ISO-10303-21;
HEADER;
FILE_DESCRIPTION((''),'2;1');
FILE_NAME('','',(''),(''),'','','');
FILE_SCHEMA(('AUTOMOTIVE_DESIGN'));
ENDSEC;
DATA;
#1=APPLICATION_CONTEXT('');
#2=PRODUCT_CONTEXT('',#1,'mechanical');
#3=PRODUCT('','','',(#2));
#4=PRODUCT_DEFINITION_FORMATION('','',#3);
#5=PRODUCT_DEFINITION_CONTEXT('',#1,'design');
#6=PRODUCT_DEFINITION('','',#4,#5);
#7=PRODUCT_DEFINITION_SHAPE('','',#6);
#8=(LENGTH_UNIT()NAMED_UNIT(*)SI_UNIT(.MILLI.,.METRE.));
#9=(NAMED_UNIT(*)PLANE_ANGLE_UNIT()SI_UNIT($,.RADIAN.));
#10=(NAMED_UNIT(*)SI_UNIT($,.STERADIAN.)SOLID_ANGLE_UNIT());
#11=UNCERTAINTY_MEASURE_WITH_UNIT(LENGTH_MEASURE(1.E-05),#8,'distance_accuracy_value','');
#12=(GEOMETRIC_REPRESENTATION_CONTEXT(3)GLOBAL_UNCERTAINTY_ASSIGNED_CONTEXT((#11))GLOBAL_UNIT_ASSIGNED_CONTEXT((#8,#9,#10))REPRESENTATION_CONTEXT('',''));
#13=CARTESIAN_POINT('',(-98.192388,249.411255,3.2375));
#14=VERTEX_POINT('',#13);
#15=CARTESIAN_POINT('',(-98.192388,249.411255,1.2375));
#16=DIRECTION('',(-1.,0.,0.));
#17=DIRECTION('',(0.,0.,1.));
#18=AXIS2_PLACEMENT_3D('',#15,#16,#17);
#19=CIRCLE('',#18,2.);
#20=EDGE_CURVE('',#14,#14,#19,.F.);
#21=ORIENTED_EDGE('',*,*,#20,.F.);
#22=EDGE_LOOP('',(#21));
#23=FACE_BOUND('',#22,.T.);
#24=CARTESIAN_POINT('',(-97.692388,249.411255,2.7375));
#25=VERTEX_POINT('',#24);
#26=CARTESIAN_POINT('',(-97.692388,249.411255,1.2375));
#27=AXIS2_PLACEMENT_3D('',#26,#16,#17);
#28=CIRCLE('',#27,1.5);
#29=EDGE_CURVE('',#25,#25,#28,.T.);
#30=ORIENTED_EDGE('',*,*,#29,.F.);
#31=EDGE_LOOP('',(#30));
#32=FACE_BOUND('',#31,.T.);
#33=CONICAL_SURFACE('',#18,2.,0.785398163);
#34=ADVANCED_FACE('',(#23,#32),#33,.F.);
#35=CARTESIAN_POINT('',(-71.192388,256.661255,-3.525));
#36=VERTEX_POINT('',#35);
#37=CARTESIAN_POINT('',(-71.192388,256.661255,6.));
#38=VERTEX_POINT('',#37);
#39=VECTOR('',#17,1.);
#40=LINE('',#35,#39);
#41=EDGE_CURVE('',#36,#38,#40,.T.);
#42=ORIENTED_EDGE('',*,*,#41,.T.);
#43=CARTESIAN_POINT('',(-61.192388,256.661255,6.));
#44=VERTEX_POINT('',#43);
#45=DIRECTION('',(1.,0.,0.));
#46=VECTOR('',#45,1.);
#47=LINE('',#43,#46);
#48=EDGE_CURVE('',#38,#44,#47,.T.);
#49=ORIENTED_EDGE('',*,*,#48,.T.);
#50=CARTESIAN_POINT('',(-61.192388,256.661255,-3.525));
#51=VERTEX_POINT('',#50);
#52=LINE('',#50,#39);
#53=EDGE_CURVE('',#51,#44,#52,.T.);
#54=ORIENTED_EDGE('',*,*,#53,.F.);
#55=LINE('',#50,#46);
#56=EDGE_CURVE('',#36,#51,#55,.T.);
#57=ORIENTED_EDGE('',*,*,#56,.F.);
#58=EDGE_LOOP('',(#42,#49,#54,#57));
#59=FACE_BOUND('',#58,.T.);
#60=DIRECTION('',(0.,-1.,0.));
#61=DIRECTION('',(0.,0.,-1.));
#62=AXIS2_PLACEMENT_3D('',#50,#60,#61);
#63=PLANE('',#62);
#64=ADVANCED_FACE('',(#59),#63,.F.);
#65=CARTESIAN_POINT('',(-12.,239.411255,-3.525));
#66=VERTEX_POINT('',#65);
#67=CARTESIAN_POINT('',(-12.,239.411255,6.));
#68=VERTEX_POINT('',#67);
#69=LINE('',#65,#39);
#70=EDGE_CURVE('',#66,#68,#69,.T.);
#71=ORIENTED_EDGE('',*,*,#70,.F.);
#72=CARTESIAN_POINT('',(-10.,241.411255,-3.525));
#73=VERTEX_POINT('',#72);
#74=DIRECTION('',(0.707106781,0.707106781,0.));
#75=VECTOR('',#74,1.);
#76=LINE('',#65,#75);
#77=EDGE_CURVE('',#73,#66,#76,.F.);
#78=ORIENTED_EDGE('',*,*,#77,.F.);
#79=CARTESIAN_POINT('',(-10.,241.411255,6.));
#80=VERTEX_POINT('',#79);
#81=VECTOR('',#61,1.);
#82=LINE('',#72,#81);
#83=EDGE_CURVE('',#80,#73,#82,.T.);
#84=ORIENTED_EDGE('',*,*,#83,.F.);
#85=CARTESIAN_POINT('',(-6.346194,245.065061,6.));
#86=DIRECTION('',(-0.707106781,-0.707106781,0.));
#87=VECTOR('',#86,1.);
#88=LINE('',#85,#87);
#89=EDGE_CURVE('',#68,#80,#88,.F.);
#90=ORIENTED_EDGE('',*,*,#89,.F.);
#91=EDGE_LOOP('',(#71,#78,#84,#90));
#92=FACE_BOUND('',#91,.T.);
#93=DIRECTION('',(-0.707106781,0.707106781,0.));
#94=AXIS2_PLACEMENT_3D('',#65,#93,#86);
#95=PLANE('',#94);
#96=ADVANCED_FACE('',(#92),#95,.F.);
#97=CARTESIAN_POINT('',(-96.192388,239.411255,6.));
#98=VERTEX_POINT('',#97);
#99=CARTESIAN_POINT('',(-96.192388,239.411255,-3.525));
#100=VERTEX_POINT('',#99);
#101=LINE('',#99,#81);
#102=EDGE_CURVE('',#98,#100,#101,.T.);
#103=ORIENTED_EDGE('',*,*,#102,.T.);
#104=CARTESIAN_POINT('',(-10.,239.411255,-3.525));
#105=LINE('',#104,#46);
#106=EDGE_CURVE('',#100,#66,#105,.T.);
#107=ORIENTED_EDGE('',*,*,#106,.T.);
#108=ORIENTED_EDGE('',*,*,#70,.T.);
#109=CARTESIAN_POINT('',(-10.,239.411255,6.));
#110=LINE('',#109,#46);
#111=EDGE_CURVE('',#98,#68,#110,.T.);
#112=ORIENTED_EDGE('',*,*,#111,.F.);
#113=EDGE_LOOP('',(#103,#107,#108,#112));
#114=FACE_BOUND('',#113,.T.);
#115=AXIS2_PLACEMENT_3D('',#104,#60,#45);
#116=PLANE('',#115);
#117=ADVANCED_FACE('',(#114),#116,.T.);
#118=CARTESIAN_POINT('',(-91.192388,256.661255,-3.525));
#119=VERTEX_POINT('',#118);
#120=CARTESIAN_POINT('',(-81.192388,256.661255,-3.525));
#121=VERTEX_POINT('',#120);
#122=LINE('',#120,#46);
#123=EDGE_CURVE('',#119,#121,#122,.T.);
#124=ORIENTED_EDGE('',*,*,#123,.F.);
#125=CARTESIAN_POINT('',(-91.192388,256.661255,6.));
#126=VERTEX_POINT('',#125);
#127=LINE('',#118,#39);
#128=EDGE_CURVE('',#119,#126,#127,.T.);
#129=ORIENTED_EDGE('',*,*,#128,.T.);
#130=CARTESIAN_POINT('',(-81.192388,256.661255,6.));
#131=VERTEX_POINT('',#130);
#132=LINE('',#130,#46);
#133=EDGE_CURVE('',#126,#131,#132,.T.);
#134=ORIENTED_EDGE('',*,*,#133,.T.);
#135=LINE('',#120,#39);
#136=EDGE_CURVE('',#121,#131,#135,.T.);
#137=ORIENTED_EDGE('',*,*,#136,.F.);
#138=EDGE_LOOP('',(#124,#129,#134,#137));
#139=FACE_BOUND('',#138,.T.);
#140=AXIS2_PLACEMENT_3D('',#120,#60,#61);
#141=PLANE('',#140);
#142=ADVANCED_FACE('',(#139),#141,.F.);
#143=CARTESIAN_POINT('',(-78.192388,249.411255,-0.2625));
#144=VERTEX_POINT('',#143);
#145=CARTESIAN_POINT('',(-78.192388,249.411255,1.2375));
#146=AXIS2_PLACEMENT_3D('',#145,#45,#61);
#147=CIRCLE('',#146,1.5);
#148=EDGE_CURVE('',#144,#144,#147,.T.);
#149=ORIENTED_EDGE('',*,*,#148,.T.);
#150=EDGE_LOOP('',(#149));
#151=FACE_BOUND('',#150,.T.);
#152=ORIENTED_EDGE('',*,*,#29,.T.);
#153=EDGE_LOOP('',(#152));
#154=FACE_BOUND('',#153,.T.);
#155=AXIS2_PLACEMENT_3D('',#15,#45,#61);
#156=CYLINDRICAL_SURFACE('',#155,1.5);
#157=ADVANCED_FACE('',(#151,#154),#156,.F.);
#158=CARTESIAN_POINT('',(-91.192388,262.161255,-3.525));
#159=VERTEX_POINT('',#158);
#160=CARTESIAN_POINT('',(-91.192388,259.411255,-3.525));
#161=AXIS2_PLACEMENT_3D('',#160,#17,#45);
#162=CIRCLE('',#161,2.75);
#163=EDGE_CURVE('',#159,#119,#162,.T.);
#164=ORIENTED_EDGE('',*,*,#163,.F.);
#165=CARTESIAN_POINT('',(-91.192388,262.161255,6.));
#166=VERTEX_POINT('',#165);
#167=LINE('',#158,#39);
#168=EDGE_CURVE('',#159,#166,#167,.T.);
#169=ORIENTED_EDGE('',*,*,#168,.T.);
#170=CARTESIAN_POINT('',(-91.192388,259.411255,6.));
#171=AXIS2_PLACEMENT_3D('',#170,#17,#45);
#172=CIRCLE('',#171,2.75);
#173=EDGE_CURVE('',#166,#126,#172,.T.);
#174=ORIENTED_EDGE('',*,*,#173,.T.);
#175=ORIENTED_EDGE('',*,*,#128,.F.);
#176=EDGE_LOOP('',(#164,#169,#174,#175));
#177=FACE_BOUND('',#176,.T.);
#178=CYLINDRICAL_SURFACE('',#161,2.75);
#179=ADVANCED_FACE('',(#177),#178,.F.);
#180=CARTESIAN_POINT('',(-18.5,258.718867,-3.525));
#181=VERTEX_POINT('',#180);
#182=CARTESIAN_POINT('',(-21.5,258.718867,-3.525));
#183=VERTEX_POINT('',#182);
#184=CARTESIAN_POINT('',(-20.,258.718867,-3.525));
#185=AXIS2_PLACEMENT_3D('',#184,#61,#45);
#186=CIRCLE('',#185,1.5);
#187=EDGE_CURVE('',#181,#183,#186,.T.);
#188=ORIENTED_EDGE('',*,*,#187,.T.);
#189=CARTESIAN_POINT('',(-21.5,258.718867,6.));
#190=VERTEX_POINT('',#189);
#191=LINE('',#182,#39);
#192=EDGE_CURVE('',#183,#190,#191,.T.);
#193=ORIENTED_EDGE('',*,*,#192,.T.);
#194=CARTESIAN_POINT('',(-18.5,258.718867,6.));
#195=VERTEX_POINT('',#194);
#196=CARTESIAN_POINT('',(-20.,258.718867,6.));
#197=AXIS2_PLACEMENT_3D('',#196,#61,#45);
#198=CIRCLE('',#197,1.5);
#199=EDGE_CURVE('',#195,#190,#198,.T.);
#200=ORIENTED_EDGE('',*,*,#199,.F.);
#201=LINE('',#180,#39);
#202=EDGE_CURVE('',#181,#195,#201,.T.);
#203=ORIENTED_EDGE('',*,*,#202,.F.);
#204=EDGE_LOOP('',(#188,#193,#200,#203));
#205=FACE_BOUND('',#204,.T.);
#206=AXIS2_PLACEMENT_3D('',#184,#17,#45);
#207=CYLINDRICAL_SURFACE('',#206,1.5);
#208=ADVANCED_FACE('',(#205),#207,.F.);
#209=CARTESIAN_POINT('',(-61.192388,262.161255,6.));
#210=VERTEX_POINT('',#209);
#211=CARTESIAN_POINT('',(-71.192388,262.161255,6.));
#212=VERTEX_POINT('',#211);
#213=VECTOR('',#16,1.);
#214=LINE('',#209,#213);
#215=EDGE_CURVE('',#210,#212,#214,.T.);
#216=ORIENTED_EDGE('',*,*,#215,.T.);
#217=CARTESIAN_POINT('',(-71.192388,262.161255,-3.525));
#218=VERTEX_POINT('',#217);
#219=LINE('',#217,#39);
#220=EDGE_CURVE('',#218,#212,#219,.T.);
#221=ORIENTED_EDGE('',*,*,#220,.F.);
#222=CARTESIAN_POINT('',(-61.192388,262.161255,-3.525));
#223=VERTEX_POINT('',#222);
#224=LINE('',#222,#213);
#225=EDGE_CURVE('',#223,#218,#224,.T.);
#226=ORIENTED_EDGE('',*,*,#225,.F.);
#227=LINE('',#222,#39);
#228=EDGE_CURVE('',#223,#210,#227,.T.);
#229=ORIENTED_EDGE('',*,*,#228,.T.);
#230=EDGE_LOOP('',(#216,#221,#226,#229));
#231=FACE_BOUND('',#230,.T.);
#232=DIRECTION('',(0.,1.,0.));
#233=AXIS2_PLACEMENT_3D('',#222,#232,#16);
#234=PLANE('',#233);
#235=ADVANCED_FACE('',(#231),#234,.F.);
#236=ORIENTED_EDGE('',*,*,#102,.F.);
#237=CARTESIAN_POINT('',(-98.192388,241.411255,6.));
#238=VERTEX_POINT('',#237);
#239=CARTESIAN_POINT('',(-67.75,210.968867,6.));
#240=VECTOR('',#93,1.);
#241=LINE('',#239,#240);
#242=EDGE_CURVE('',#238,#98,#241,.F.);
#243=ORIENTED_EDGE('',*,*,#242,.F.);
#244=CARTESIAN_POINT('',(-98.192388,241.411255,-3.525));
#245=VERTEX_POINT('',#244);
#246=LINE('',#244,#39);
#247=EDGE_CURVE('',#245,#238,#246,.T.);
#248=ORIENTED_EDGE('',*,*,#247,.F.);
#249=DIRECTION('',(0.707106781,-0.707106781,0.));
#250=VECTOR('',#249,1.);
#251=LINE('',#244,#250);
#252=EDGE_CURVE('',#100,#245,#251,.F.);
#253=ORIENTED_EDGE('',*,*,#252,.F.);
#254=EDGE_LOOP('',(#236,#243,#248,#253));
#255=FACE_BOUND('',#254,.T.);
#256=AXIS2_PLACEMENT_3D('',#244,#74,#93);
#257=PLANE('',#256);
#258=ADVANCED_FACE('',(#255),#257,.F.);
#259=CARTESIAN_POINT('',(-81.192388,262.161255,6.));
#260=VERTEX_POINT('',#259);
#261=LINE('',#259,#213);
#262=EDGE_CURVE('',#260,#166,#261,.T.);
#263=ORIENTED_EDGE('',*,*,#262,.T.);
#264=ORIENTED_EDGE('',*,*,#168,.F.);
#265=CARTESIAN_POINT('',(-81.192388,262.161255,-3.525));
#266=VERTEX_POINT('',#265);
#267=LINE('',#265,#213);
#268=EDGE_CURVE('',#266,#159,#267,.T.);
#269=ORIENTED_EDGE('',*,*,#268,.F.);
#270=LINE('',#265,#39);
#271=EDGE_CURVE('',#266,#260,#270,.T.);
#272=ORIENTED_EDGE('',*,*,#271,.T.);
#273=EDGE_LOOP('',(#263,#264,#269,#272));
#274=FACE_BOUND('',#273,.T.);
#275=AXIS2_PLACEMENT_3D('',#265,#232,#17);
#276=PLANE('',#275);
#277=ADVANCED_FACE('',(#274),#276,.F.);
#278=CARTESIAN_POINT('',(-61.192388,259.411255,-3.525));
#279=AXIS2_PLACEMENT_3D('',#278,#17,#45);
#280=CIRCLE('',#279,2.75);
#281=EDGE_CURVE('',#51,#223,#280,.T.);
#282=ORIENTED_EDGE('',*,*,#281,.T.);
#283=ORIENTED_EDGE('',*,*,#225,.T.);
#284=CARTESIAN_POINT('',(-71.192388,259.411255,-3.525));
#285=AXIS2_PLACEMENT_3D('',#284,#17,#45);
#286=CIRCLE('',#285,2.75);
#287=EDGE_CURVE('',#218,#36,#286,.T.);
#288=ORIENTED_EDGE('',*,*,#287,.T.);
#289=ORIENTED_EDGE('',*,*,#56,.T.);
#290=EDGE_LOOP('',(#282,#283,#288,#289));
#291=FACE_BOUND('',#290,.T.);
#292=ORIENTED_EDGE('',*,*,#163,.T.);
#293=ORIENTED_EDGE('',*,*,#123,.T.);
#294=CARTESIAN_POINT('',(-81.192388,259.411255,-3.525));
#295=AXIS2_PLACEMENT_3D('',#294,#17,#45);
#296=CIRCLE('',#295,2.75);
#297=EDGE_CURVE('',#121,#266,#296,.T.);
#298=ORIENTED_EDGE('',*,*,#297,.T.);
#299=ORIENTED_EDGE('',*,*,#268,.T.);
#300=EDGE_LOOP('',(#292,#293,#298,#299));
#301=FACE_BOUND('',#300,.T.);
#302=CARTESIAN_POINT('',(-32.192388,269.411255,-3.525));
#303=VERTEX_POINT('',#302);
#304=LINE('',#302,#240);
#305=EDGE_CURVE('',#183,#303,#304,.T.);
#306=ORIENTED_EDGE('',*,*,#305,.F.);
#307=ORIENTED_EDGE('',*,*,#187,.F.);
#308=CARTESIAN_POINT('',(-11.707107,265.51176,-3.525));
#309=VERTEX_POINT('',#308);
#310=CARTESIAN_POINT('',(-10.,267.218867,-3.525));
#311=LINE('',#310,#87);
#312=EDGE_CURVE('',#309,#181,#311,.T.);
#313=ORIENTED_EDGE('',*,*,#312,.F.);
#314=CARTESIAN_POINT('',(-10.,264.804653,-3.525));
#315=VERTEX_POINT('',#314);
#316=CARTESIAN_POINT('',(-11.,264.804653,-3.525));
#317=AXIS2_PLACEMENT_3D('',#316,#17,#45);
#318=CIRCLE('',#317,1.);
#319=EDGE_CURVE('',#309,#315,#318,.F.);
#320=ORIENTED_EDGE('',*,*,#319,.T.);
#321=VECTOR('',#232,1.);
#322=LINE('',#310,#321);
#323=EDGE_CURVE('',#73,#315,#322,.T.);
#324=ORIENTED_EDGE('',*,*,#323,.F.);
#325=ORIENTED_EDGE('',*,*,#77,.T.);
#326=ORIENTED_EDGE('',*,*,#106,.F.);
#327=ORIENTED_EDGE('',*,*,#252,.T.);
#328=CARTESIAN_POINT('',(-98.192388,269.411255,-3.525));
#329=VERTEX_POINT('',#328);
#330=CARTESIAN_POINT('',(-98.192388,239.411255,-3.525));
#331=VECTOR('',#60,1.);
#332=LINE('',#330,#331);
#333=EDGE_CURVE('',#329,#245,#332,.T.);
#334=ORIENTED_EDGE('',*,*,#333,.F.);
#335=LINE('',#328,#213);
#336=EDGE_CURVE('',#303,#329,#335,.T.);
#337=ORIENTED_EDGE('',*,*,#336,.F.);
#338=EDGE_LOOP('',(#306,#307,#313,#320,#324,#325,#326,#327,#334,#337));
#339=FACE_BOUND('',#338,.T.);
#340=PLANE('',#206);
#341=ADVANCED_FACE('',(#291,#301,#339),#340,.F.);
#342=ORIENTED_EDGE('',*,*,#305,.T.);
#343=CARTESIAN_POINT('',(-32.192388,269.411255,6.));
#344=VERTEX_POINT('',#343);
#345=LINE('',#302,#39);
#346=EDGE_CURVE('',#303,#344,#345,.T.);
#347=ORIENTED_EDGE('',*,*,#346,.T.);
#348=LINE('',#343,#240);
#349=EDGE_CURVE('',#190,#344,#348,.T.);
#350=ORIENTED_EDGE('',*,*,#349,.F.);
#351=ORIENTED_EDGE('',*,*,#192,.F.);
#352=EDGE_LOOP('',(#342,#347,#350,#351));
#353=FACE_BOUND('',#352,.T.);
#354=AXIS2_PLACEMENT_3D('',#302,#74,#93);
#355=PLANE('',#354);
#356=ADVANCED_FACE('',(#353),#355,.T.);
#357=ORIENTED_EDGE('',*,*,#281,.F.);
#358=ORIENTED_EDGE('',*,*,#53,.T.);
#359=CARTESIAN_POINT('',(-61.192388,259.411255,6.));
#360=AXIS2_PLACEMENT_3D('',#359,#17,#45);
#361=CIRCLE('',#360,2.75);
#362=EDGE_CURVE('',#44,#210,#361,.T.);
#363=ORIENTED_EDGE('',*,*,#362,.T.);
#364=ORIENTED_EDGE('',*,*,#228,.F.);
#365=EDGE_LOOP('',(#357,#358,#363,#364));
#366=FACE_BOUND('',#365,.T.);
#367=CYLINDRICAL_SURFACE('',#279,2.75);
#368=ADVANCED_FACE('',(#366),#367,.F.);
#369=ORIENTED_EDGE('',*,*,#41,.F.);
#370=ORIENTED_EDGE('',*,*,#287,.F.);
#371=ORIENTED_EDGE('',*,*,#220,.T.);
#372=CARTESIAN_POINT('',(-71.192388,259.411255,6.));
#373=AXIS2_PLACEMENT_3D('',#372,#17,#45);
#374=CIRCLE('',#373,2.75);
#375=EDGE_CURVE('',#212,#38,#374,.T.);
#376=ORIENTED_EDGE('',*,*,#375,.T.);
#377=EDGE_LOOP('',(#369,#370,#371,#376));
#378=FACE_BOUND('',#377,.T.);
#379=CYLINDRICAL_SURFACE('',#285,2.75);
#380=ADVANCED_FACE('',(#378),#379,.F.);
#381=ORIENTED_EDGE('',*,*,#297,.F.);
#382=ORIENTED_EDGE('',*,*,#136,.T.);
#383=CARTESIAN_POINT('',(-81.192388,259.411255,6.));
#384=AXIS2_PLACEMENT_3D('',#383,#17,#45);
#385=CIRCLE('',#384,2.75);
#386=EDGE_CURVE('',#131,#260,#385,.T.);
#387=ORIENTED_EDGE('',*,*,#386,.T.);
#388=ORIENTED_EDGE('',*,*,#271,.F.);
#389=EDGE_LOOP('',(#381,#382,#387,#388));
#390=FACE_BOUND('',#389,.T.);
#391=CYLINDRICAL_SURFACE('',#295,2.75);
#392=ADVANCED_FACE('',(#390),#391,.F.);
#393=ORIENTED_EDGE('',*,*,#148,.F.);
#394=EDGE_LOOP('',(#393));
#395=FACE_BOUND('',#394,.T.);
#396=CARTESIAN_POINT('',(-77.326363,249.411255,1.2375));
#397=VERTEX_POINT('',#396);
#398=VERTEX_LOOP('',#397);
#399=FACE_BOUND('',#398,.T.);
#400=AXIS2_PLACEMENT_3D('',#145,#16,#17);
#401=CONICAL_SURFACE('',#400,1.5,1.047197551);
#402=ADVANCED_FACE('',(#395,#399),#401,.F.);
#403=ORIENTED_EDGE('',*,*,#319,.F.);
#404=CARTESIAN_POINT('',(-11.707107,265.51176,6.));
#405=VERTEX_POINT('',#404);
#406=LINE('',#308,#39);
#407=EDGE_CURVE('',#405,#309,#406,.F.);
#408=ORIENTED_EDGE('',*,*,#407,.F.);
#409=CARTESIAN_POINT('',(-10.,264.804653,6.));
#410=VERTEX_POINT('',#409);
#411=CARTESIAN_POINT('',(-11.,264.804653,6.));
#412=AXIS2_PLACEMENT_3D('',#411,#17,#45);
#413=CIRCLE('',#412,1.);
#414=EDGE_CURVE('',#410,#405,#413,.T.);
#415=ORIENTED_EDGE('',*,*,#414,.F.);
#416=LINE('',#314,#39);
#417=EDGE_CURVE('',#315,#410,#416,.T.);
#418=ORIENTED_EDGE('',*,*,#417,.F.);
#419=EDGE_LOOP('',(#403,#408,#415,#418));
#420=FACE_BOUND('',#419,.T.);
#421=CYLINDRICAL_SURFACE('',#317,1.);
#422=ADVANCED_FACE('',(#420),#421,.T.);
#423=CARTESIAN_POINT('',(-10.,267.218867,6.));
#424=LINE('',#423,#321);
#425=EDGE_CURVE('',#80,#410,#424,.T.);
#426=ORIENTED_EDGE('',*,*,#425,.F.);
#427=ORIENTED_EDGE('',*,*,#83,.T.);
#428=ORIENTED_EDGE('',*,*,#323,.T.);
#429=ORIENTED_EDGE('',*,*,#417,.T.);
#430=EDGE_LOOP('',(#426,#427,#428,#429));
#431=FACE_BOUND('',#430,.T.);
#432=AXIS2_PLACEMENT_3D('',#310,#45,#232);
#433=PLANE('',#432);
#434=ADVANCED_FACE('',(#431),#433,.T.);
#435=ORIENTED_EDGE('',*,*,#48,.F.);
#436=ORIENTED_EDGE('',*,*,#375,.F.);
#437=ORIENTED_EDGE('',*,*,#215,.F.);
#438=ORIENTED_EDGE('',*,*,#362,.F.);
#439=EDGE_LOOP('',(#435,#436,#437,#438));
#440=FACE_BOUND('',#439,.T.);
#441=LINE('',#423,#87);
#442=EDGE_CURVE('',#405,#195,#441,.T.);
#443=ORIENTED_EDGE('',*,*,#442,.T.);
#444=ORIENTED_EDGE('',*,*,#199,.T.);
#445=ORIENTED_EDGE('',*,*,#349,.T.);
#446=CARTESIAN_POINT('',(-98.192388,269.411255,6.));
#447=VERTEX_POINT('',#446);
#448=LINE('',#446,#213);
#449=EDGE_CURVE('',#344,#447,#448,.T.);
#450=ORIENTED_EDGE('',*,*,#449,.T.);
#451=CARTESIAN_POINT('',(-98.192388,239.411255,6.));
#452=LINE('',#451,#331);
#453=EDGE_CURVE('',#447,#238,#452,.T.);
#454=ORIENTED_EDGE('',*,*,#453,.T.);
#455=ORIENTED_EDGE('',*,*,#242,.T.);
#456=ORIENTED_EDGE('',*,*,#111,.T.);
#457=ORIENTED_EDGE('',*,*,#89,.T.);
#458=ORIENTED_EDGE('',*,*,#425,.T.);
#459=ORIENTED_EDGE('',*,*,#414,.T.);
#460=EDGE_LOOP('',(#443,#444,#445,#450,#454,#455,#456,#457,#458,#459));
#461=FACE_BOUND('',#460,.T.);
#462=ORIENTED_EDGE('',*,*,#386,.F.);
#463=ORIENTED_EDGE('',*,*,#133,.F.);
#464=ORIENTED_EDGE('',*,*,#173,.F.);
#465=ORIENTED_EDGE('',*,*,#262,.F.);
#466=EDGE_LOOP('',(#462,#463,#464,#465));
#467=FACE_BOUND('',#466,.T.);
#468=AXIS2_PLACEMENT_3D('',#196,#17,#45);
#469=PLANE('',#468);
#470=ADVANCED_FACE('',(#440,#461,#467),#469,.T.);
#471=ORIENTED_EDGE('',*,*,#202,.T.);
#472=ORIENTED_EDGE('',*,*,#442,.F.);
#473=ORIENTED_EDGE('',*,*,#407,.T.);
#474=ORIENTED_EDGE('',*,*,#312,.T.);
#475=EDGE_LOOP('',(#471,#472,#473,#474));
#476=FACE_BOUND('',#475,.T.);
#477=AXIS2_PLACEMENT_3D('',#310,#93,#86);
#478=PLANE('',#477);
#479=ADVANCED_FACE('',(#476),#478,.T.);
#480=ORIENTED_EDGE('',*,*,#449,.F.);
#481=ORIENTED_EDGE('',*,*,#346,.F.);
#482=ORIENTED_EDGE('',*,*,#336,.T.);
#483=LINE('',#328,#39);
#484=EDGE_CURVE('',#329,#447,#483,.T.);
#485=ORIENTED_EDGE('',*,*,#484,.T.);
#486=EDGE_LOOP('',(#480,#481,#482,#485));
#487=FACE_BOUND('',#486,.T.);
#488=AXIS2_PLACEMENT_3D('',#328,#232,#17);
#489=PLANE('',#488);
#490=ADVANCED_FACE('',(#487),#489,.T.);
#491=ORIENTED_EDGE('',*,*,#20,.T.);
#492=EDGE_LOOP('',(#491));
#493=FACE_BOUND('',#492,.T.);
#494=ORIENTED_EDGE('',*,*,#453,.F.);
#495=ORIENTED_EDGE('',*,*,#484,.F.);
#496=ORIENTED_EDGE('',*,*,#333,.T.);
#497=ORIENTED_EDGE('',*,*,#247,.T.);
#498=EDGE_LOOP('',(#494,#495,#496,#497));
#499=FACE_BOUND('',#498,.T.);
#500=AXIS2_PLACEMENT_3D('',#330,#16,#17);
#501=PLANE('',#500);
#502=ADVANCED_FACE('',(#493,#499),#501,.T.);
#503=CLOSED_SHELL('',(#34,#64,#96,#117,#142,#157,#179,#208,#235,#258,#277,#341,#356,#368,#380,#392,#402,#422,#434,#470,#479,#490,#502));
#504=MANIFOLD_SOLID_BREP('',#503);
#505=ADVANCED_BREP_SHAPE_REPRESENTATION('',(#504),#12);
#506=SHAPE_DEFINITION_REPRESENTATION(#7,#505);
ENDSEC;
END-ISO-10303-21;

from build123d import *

# Parameters (mm, degrees)
BOSS_EXTRUDE1_DEPTH      = 6
BOSS_EXTRUDE1_DEPTH_BACK = 3.525
FILLET1_R                = 1
CHAMFER1_SIZE            = 2
CHAMFER2_SIZE            = 0.5


with BuildPart() as part:
    # Sketch1 → Boss-Extrude1 (new body, two sides)
    with BuildSketch(Plane.XY) as boss_extrude1_sk:
        with BuildLine():
            Line((-10, 267.218866814), (-18.5, 258.718866814))
            ThreePointArc((-18.5, 258.718866814), (-20, 257.218866814), (-21.5, 258.718866814))
            Line((-21.5, 258.718866814), (-32.192388155, 269.41125497))
            Line((-32.192388155, 269.41125497), (-98.192388155, 269.41125497))
            Line((-98.192388155, 269.41125497), (-98.192388155, 239.41125497))
            Line((-98.192388155, 239.41125497), (-10, 239.41125497))
            Line((-10, 239.41125497), (-10, 267.218866814))
        make_face()
        with BuildLine():
            Line((-81.192388155, 262.16125497), (-91.192388155, 262.16125497))
            ThreePointArc((-91.192388155, 262.16125497), (-93.942388155, 259.41125497), (-91.192388155, 256.66125497))
            Line((-91.192388155, 256.66125497), (-81.192388155, 256.66125497))
            ThreePointArc((-81.192388155, 256.66125497), (-78.442388155, 259.41125497), (-81.192388155, 262.16125497))
        make_face(mode=Mode.SUBTRACT)
        with BuildLine():
            Line((-61.192388155, 262.16125497), (-71.192388155, 262.16125497))
            ThreePointArc((-71.192388155, 262.16125497), (-73.942388155, 259.41125497), (-71.192388155, 256.66125497))
            Line((-71.192388155, 256.66125497), (-61.192388155, 256.66125497))
            ThreePointArc((-61.192388155, 256.66125497), (-58.442388155, 259.41125497), (-61.192388155, 262.16125497))
        make_face(mode=Mode.SUBTRACT)
    extrude(amount=BOSS_EXTRUDE1_DEPTH)
    extrude(boss_extrude1_sk.sketch, amount=-BOSS_EXTRUDE1_DEPTH_BACK)

    # Fillet1
    fillet1_edges = [part.edges().sort_by_distance(p)[0] for p in [
        (-10, 267.218866814, 1.2375),
    ]]
    fillet(fillet1_edges, radius=FILLET1_R)

    # Chamfer1
    chamfer1_edges = [part.edges().sort_by_distance(p)[0] for p in [
        (-10, 239.41125497, 1.2375),
        (-98.192388155, 239.41125497, 1.2375),
    ]]
    chamfer(chamfer1_edges, length=CHAMFER1_SIZE)

    # Sketch3 → Cut-Revolve1 (revolve, cut)
    with BuildSketch(Plane(origin=(0, 0, 1.2375), x_dir=(-1, 0, 0), z_dir=(0, 0, -1))):
        Polygon((98.192388155, 250.91125497), (78.192388155, 250.91125497), (77.326362752, 249.41125497), (98.192388155, 249.41125497), align=None)
    revolve(axis=Axis((-98.192388155, 249.41125497, 1.2375), (-1, 0, 0)), mode=Mode.SUBTRACT)

    # Chamfer2
    chamfer2_edges = [part.edges().sort_by_distance(p)[0] for p in [
        (-98.192388155, 247.91125497, 1.2375),
    ]]
    chamfer(chamfer2_edges, length=CHAMFER2_SIZE)


solid = part.part
